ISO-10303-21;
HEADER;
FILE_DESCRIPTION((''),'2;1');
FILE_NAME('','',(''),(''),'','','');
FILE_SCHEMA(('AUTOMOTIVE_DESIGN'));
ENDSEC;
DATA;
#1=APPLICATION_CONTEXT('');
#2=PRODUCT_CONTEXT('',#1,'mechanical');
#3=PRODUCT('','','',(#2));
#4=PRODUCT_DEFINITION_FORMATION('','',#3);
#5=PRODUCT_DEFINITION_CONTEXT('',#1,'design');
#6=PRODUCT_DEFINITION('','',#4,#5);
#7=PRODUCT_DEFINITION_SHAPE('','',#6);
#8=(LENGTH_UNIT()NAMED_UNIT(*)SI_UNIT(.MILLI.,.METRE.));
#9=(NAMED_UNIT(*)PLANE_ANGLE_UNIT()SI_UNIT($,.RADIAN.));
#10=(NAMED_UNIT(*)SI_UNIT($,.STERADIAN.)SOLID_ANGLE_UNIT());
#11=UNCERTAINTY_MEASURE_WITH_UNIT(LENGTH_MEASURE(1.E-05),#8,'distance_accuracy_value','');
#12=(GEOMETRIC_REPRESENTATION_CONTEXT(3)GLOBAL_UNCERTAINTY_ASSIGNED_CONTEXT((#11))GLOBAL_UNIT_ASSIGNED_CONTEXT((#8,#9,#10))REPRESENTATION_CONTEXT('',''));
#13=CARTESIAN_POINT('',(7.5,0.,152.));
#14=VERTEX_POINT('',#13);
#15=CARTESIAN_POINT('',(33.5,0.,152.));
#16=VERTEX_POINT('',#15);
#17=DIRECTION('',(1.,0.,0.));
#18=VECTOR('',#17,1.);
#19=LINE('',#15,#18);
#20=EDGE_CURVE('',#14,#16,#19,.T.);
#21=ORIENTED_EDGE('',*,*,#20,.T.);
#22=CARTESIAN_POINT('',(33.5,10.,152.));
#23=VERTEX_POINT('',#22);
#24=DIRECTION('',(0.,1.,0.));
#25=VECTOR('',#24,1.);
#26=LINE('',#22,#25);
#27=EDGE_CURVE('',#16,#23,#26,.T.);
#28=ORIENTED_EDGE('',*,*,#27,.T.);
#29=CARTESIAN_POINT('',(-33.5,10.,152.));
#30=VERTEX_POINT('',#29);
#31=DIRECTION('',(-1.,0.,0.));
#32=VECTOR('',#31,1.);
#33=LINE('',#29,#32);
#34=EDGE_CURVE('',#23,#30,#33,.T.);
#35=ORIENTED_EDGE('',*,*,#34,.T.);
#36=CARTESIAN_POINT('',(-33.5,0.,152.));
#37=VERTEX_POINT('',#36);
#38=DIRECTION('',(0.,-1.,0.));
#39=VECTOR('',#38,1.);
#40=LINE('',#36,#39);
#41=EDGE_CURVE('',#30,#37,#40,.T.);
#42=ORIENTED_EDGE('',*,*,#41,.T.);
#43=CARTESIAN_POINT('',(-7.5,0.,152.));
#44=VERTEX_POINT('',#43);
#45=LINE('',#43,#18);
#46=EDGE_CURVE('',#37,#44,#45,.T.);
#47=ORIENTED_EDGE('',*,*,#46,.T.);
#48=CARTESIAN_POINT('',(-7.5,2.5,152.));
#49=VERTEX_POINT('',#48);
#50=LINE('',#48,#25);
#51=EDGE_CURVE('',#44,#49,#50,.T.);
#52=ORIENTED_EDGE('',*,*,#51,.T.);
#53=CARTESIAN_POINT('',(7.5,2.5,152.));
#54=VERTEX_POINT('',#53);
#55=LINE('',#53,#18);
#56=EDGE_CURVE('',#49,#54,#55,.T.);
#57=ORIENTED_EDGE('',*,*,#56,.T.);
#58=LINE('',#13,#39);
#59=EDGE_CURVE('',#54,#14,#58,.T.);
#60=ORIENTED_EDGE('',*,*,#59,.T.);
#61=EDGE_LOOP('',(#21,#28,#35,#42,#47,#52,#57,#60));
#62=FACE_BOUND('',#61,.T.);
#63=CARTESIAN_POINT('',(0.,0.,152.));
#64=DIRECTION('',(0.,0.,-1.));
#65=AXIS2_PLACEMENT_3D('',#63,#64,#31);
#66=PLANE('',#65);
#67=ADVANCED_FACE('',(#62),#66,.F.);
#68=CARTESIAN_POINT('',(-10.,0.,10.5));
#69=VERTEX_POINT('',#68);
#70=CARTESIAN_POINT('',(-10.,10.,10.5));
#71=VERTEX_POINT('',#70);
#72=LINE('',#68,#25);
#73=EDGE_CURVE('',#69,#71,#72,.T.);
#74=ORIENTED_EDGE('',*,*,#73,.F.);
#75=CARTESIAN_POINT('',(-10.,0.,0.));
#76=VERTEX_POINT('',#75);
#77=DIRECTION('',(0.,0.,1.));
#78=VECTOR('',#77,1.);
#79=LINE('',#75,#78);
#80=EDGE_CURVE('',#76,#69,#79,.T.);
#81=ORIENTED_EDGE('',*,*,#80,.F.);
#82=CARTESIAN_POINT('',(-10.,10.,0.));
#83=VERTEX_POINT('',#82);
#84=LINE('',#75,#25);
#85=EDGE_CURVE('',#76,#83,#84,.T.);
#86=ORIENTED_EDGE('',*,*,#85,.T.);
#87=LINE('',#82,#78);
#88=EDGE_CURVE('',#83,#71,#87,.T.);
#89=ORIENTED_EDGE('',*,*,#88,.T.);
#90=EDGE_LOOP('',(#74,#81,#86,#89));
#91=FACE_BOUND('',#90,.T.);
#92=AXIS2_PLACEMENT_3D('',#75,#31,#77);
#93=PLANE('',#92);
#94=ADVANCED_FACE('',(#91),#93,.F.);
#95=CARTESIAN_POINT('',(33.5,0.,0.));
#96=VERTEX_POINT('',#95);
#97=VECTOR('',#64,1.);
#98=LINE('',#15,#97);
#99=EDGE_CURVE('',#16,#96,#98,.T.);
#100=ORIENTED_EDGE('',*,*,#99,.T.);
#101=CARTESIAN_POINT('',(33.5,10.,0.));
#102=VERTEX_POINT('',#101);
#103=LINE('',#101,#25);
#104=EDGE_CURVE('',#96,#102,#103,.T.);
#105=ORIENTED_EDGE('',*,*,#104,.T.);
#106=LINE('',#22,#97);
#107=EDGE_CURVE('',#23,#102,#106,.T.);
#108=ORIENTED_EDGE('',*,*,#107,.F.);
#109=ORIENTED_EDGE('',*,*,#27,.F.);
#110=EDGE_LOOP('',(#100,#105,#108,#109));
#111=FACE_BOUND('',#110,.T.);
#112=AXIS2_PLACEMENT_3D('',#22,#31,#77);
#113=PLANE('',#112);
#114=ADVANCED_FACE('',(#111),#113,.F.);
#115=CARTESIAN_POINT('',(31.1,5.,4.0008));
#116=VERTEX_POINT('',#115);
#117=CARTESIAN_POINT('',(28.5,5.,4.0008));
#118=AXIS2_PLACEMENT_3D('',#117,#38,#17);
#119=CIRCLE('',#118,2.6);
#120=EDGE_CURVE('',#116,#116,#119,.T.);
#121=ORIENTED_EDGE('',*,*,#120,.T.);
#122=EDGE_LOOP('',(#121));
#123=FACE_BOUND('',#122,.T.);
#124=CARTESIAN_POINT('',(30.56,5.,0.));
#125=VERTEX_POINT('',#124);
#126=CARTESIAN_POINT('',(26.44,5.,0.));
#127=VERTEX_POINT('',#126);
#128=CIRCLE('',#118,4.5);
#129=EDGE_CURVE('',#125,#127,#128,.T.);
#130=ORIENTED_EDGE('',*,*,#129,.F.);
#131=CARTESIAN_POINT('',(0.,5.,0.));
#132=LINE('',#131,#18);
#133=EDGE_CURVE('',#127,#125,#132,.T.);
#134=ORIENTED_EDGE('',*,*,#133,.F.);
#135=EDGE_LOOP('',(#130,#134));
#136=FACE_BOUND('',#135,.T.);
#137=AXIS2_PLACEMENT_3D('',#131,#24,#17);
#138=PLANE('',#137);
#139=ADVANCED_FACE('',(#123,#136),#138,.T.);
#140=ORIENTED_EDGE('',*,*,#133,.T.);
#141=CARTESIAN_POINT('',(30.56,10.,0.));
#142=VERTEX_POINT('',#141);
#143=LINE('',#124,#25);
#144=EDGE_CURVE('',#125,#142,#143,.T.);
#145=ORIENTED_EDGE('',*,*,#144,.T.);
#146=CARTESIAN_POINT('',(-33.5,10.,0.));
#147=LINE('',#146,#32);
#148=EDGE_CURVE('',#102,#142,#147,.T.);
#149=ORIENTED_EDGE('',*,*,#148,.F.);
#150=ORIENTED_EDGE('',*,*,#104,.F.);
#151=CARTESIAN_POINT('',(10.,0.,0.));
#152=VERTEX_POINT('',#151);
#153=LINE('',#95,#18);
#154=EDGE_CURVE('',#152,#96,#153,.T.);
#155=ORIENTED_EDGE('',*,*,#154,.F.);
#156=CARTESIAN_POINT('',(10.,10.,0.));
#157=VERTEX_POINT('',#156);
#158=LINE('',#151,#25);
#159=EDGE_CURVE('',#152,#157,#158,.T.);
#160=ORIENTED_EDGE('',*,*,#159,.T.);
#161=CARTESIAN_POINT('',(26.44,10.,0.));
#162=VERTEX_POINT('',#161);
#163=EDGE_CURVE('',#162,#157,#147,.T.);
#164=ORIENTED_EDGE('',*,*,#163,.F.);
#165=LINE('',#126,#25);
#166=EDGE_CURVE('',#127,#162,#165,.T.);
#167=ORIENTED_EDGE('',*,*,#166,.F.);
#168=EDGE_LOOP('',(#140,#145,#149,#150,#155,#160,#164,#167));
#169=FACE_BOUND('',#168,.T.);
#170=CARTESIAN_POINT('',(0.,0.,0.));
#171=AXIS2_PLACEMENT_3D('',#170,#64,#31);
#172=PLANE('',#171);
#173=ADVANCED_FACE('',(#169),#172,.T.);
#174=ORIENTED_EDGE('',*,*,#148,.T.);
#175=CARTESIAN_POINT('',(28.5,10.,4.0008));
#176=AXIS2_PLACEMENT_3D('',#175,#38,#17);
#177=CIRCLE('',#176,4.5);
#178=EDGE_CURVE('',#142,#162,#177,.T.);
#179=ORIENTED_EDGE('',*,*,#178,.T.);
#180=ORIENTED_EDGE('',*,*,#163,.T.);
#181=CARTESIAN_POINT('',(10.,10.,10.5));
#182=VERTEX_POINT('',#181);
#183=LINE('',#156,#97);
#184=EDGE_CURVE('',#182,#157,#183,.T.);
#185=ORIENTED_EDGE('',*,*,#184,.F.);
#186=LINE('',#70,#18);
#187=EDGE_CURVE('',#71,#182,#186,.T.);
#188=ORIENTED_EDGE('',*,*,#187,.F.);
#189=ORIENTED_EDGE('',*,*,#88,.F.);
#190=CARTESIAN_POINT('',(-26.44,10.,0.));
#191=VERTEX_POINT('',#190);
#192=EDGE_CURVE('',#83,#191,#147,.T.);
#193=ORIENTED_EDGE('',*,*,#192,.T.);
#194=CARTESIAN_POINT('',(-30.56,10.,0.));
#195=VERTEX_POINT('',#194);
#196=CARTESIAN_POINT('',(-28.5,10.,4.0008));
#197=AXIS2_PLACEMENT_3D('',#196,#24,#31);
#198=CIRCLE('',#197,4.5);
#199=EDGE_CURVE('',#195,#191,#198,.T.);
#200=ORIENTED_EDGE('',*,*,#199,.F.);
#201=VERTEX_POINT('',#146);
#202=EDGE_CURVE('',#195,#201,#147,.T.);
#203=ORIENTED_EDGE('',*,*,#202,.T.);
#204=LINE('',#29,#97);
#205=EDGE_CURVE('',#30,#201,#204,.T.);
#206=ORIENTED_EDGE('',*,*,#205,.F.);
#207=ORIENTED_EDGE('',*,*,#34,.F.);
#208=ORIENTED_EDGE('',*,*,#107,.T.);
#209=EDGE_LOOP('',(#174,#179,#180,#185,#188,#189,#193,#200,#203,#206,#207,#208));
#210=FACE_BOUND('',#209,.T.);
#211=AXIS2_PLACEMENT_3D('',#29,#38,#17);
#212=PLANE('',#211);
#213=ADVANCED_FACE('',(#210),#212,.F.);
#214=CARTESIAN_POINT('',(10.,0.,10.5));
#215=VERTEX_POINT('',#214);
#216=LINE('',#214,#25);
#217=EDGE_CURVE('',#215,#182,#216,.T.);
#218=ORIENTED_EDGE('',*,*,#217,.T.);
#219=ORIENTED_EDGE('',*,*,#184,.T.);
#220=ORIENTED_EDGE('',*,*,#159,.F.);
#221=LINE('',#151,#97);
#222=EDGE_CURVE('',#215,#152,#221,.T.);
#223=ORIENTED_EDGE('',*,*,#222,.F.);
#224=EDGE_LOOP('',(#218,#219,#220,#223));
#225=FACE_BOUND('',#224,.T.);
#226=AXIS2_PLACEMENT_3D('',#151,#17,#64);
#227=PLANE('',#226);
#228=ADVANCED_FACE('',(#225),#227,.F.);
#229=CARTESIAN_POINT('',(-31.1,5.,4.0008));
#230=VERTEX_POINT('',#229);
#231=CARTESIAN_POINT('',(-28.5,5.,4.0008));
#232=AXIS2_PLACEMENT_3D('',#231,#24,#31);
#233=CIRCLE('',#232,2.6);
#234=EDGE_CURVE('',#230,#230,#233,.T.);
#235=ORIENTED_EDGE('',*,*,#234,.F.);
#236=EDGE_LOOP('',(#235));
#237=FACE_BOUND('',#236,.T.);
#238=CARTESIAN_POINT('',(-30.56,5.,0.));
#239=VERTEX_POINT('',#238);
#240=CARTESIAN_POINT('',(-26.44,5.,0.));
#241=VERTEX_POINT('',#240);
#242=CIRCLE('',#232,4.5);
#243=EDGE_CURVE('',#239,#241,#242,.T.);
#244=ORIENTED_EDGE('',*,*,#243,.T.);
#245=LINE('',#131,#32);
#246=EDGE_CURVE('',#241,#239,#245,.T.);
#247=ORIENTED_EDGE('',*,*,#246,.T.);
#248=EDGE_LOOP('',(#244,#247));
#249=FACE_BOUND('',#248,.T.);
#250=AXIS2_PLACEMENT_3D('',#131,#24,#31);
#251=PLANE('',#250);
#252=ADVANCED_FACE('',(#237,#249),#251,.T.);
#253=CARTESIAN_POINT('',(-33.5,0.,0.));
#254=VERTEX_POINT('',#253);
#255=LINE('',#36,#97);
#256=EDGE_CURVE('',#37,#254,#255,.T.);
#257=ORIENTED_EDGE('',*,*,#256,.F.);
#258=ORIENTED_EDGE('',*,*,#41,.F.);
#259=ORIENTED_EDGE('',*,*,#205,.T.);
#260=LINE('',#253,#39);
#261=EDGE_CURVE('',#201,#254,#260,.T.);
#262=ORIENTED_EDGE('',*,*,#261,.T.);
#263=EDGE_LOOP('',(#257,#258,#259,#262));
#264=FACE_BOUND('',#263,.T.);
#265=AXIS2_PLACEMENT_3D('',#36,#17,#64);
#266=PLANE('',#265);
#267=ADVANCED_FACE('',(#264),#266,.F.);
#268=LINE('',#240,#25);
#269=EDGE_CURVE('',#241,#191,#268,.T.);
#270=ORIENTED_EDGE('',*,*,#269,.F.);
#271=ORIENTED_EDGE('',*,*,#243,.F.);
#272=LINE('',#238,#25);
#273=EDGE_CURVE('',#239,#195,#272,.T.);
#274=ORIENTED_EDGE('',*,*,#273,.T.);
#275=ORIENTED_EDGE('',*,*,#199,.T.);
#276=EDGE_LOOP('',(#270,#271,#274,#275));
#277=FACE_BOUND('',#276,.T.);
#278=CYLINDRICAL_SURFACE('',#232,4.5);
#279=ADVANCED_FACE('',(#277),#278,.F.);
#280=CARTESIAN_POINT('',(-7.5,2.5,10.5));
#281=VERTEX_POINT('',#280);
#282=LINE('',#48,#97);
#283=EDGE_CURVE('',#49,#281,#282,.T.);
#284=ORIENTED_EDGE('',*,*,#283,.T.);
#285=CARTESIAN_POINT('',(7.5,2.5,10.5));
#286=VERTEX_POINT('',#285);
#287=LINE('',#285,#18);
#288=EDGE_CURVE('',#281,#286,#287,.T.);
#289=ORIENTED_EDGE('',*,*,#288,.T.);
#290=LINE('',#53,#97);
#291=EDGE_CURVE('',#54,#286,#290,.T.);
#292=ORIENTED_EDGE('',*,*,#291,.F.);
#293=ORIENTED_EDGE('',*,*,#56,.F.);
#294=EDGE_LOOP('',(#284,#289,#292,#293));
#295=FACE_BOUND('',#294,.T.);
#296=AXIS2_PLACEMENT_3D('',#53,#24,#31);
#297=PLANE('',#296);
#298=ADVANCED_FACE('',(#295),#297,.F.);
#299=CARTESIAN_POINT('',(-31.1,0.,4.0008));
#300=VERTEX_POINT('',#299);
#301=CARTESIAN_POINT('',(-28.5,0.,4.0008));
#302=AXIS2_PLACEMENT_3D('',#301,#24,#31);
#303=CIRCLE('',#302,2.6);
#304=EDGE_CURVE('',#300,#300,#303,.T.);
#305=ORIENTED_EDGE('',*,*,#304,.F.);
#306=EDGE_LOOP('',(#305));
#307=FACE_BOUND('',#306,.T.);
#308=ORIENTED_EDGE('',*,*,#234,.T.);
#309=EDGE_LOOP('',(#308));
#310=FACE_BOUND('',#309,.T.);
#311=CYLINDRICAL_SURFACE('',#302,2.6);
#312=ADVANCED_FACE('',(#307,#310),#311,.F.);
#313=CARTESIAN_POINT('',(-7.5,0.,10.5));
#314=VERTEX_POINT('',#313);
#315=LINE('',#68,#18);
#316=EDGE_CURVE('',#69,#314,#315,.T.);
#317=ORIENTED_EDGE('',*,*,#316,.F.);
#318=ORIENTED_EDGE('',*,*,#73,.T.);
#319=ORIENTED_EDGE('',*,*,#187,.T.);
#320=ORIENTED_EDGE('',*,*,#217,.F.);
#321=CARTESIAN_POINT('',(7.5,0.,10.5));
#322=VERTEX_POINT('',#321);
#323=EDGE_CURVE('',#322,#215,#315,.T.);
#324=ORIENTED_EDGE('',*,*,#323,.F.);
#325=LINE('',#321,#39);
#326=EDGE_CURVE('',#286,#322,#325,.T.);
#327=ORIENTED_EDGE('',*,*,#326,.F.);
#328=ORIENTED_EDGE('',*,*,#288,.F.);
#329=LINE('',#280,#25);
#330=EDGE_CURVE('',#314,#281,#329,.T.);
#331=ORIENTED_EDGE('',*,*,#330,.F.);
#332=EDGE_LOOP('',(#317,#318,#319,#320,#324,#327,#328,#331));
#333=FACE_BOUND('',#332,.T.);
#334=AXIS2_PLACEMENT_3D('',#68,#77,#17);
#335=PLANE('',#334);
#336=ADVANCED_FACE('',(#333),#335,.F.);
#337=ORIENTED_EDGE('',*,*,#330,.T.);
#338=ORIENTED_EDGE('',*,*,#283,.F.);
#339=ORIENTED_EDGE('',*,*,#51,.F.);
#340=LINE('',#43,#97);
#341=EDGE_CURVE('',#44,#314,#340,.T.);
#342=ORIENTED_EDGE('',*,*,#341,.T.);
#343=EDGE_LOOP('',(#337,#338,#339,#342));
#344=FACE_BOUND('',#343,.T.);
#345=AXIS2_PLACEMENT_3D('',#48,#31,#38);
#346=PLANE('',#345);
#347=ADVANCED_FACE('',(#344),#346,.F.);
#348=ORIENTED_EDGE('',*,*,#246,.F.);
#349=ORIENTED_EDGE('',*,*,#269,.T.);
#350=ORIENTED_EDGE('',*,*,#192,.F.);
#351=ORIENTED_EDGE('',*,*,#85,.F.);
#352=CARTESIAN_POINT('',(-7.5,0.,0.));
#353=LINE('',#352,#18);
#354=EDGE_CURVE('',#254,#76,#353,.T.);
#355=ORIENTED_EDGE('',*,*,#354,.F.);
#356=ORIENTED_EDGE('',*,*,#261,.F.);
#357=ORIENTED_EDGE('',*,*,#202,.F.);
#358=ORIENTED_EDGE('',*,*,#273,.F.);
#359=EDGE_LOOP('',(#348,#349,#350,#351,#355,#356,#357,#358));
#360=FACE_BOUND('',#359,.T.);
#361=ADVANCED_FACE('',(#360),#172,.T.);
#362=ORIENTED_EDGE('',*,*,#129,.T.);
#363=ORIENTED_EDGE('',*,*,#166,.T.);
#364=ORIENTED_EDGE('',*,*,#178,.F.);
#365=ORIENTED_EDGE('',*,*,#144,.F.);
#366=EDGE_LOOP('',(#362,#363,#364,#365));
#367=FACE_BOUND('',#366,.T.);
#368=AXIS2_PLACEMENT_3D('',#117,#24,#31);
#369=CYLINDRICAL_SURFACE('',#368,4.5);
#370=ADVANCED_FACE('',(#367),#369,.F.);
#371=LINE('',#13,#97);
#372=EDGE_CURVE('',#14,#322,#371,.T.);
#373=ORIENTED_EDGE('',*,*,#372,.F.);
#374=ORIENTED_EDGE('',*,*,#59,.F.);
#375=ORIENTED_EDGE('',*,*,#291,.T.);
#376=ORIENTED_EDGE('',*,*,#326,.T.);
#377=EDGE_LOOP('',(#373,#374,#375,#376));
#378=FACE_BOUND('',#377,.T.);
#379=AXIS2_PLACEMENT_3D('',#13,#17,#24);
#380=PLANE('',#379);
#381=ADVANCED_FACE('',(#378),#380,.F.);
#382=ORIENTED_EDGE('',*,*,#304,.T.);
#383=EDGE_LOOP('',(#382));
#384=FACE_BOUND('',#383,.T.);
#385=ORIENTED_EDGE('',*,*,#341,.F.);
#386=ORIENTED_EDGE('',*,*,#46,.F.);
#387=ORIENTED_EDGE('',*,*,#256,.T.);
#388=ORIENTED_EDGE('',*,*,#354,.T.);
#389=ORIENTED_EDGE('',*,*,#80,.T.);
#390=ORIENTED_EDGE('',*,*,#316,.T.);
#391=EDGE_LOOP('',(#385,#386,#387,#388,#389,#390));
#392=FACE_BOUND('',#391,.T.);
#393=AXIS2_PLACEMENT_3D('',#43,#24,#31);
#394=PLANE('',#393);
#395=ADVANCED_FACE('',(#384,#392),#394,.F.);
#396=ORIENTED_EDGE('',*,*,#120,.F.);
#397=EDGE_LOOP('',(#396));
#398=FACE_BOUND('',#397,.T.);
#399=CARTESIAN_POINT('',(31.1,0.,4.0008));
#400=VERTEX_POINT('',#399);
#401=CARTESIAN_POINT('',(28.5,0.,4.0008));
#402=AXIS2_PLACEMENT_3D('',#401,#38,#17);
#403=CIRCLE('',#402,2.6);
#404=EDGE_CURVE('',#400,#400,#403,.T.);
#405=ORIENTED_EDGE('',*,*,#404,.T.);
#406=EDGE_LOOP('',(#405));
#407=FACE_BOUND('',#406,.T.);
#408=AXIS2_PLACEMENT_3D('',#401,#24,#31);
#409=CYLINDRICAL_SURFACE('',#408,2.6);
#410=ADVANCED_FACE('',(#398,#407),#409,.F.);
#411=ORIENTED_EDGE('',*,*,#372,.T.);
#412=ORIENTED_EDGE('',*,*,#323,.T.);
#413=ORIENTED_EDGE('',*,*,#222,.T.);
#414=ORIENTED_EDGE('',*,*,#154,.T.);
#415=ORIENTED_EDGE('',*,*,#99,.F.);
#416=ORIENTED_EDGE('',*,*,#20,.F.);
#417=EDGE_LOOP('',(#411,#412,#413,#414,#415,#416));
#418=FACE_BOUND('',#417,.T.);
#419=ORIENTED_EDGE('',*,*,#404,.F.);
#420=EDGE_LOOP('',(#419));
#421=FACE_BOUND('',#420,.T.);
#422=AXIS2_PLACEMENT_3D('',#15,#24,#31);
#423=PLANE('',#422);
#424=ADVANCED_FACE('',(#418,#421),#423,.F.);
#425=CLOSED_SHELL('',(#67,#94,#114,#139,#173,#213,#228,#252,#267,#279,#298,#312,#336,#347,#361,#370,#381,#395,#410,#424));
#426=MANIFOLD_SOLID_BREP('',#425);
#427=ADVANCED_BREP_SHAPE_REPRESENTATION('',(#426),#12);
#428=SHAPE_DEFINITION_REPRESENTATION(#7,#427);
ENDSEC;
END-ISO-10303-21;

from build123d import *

# Parameters (mm, degrees)
BOSS_EXTRUDE1_DEPTH = 152
SKETCH2_W           = 20
SKETCH2_H           = 10.5
CUT_EXTRUDE1_DEPTH  = 11
CUT_EXTRUDE2_DEPTH  = 5
SKETCH7_R           = 2.6
CUT_EXTRUDE3_DEPTH  = 6


with BuildPart() as part:
    # Sketch1 → Boss-Extrude1 (new body)
    with BuildSketch(Plane.XY):
        Polygon((-33.5, 0), (-33.5, 10), (33.5, 10), (33.5, 0), (7.5, 0), (7.5, 2.5), (-7.5, 2.5), (-7.5, 0), align=None)
    extrude(amount=BOSS_EXTRUDE1_DEPTH)

    # Sketch2 → Cut-Extrude1 (cut, through all)
    with BuildSketch(Plane(origin=(0, 10, 0), x_dir=(1, 0, 0), z_dir=(0, 1, 0))):
        with Locations((0, -5.25)):
            Rectangle(SKETCH2_W, SKETCH2_H)
    extrude(amount=-CUT_EXTRUDE1_DEPTH, mode=Mode.SUBTRACT)

    # Sketch6 → Cut-Extrude2 (cut)
    with BuildSketch(Plane(origin=(0, 10, 0), x_dir=(1, 0, 0), z_dir=(0, 1, 0))):
        with BuildLine():
            Line((-26.44, 0), (-30.56, 0))
            ThreePointArc((-30.56, 0), (-28.5, -8.50079992), (-26.44, 0))
        make_face()
    cut_extrude2 = extrude(amount=-CUT_EXTRUDE2_DEPTH, mode=Mode.SUBTRACT)

    # Sketch7 → Cut-Extrude3 (cut, through all)
    with BuildSketch(Plane(origin=(0, 5, 0), x_dir=(1, 0, 0), z_dir=(0, 1, 0))):
        with Locations((-28.5, -4.00079992)):
            Circle(SKETCH7_R)
    cut_extrude3 = extrude(amount=-CUT_EXTRUDE3_DEPTH, mode=Mode.SUBTRACT)

    # Mirror1: Cut-Extrude2, Cut-Extrude3 across plane
    add(cut_extrude2.mirror(Plane(origin=(0, 0, 0), x_dir=(0, 0, 1), z_dir=(1, 0, 0))), mode=Mode.SUBTRACT)
    add(cut_extrude3.mirror(Plane(origin=(0, 0, 0), x_dir=(0, 0, 1), z_dir=(1, 0, 0))), mode=Mode.SUBTRACT)


solid = part.part
